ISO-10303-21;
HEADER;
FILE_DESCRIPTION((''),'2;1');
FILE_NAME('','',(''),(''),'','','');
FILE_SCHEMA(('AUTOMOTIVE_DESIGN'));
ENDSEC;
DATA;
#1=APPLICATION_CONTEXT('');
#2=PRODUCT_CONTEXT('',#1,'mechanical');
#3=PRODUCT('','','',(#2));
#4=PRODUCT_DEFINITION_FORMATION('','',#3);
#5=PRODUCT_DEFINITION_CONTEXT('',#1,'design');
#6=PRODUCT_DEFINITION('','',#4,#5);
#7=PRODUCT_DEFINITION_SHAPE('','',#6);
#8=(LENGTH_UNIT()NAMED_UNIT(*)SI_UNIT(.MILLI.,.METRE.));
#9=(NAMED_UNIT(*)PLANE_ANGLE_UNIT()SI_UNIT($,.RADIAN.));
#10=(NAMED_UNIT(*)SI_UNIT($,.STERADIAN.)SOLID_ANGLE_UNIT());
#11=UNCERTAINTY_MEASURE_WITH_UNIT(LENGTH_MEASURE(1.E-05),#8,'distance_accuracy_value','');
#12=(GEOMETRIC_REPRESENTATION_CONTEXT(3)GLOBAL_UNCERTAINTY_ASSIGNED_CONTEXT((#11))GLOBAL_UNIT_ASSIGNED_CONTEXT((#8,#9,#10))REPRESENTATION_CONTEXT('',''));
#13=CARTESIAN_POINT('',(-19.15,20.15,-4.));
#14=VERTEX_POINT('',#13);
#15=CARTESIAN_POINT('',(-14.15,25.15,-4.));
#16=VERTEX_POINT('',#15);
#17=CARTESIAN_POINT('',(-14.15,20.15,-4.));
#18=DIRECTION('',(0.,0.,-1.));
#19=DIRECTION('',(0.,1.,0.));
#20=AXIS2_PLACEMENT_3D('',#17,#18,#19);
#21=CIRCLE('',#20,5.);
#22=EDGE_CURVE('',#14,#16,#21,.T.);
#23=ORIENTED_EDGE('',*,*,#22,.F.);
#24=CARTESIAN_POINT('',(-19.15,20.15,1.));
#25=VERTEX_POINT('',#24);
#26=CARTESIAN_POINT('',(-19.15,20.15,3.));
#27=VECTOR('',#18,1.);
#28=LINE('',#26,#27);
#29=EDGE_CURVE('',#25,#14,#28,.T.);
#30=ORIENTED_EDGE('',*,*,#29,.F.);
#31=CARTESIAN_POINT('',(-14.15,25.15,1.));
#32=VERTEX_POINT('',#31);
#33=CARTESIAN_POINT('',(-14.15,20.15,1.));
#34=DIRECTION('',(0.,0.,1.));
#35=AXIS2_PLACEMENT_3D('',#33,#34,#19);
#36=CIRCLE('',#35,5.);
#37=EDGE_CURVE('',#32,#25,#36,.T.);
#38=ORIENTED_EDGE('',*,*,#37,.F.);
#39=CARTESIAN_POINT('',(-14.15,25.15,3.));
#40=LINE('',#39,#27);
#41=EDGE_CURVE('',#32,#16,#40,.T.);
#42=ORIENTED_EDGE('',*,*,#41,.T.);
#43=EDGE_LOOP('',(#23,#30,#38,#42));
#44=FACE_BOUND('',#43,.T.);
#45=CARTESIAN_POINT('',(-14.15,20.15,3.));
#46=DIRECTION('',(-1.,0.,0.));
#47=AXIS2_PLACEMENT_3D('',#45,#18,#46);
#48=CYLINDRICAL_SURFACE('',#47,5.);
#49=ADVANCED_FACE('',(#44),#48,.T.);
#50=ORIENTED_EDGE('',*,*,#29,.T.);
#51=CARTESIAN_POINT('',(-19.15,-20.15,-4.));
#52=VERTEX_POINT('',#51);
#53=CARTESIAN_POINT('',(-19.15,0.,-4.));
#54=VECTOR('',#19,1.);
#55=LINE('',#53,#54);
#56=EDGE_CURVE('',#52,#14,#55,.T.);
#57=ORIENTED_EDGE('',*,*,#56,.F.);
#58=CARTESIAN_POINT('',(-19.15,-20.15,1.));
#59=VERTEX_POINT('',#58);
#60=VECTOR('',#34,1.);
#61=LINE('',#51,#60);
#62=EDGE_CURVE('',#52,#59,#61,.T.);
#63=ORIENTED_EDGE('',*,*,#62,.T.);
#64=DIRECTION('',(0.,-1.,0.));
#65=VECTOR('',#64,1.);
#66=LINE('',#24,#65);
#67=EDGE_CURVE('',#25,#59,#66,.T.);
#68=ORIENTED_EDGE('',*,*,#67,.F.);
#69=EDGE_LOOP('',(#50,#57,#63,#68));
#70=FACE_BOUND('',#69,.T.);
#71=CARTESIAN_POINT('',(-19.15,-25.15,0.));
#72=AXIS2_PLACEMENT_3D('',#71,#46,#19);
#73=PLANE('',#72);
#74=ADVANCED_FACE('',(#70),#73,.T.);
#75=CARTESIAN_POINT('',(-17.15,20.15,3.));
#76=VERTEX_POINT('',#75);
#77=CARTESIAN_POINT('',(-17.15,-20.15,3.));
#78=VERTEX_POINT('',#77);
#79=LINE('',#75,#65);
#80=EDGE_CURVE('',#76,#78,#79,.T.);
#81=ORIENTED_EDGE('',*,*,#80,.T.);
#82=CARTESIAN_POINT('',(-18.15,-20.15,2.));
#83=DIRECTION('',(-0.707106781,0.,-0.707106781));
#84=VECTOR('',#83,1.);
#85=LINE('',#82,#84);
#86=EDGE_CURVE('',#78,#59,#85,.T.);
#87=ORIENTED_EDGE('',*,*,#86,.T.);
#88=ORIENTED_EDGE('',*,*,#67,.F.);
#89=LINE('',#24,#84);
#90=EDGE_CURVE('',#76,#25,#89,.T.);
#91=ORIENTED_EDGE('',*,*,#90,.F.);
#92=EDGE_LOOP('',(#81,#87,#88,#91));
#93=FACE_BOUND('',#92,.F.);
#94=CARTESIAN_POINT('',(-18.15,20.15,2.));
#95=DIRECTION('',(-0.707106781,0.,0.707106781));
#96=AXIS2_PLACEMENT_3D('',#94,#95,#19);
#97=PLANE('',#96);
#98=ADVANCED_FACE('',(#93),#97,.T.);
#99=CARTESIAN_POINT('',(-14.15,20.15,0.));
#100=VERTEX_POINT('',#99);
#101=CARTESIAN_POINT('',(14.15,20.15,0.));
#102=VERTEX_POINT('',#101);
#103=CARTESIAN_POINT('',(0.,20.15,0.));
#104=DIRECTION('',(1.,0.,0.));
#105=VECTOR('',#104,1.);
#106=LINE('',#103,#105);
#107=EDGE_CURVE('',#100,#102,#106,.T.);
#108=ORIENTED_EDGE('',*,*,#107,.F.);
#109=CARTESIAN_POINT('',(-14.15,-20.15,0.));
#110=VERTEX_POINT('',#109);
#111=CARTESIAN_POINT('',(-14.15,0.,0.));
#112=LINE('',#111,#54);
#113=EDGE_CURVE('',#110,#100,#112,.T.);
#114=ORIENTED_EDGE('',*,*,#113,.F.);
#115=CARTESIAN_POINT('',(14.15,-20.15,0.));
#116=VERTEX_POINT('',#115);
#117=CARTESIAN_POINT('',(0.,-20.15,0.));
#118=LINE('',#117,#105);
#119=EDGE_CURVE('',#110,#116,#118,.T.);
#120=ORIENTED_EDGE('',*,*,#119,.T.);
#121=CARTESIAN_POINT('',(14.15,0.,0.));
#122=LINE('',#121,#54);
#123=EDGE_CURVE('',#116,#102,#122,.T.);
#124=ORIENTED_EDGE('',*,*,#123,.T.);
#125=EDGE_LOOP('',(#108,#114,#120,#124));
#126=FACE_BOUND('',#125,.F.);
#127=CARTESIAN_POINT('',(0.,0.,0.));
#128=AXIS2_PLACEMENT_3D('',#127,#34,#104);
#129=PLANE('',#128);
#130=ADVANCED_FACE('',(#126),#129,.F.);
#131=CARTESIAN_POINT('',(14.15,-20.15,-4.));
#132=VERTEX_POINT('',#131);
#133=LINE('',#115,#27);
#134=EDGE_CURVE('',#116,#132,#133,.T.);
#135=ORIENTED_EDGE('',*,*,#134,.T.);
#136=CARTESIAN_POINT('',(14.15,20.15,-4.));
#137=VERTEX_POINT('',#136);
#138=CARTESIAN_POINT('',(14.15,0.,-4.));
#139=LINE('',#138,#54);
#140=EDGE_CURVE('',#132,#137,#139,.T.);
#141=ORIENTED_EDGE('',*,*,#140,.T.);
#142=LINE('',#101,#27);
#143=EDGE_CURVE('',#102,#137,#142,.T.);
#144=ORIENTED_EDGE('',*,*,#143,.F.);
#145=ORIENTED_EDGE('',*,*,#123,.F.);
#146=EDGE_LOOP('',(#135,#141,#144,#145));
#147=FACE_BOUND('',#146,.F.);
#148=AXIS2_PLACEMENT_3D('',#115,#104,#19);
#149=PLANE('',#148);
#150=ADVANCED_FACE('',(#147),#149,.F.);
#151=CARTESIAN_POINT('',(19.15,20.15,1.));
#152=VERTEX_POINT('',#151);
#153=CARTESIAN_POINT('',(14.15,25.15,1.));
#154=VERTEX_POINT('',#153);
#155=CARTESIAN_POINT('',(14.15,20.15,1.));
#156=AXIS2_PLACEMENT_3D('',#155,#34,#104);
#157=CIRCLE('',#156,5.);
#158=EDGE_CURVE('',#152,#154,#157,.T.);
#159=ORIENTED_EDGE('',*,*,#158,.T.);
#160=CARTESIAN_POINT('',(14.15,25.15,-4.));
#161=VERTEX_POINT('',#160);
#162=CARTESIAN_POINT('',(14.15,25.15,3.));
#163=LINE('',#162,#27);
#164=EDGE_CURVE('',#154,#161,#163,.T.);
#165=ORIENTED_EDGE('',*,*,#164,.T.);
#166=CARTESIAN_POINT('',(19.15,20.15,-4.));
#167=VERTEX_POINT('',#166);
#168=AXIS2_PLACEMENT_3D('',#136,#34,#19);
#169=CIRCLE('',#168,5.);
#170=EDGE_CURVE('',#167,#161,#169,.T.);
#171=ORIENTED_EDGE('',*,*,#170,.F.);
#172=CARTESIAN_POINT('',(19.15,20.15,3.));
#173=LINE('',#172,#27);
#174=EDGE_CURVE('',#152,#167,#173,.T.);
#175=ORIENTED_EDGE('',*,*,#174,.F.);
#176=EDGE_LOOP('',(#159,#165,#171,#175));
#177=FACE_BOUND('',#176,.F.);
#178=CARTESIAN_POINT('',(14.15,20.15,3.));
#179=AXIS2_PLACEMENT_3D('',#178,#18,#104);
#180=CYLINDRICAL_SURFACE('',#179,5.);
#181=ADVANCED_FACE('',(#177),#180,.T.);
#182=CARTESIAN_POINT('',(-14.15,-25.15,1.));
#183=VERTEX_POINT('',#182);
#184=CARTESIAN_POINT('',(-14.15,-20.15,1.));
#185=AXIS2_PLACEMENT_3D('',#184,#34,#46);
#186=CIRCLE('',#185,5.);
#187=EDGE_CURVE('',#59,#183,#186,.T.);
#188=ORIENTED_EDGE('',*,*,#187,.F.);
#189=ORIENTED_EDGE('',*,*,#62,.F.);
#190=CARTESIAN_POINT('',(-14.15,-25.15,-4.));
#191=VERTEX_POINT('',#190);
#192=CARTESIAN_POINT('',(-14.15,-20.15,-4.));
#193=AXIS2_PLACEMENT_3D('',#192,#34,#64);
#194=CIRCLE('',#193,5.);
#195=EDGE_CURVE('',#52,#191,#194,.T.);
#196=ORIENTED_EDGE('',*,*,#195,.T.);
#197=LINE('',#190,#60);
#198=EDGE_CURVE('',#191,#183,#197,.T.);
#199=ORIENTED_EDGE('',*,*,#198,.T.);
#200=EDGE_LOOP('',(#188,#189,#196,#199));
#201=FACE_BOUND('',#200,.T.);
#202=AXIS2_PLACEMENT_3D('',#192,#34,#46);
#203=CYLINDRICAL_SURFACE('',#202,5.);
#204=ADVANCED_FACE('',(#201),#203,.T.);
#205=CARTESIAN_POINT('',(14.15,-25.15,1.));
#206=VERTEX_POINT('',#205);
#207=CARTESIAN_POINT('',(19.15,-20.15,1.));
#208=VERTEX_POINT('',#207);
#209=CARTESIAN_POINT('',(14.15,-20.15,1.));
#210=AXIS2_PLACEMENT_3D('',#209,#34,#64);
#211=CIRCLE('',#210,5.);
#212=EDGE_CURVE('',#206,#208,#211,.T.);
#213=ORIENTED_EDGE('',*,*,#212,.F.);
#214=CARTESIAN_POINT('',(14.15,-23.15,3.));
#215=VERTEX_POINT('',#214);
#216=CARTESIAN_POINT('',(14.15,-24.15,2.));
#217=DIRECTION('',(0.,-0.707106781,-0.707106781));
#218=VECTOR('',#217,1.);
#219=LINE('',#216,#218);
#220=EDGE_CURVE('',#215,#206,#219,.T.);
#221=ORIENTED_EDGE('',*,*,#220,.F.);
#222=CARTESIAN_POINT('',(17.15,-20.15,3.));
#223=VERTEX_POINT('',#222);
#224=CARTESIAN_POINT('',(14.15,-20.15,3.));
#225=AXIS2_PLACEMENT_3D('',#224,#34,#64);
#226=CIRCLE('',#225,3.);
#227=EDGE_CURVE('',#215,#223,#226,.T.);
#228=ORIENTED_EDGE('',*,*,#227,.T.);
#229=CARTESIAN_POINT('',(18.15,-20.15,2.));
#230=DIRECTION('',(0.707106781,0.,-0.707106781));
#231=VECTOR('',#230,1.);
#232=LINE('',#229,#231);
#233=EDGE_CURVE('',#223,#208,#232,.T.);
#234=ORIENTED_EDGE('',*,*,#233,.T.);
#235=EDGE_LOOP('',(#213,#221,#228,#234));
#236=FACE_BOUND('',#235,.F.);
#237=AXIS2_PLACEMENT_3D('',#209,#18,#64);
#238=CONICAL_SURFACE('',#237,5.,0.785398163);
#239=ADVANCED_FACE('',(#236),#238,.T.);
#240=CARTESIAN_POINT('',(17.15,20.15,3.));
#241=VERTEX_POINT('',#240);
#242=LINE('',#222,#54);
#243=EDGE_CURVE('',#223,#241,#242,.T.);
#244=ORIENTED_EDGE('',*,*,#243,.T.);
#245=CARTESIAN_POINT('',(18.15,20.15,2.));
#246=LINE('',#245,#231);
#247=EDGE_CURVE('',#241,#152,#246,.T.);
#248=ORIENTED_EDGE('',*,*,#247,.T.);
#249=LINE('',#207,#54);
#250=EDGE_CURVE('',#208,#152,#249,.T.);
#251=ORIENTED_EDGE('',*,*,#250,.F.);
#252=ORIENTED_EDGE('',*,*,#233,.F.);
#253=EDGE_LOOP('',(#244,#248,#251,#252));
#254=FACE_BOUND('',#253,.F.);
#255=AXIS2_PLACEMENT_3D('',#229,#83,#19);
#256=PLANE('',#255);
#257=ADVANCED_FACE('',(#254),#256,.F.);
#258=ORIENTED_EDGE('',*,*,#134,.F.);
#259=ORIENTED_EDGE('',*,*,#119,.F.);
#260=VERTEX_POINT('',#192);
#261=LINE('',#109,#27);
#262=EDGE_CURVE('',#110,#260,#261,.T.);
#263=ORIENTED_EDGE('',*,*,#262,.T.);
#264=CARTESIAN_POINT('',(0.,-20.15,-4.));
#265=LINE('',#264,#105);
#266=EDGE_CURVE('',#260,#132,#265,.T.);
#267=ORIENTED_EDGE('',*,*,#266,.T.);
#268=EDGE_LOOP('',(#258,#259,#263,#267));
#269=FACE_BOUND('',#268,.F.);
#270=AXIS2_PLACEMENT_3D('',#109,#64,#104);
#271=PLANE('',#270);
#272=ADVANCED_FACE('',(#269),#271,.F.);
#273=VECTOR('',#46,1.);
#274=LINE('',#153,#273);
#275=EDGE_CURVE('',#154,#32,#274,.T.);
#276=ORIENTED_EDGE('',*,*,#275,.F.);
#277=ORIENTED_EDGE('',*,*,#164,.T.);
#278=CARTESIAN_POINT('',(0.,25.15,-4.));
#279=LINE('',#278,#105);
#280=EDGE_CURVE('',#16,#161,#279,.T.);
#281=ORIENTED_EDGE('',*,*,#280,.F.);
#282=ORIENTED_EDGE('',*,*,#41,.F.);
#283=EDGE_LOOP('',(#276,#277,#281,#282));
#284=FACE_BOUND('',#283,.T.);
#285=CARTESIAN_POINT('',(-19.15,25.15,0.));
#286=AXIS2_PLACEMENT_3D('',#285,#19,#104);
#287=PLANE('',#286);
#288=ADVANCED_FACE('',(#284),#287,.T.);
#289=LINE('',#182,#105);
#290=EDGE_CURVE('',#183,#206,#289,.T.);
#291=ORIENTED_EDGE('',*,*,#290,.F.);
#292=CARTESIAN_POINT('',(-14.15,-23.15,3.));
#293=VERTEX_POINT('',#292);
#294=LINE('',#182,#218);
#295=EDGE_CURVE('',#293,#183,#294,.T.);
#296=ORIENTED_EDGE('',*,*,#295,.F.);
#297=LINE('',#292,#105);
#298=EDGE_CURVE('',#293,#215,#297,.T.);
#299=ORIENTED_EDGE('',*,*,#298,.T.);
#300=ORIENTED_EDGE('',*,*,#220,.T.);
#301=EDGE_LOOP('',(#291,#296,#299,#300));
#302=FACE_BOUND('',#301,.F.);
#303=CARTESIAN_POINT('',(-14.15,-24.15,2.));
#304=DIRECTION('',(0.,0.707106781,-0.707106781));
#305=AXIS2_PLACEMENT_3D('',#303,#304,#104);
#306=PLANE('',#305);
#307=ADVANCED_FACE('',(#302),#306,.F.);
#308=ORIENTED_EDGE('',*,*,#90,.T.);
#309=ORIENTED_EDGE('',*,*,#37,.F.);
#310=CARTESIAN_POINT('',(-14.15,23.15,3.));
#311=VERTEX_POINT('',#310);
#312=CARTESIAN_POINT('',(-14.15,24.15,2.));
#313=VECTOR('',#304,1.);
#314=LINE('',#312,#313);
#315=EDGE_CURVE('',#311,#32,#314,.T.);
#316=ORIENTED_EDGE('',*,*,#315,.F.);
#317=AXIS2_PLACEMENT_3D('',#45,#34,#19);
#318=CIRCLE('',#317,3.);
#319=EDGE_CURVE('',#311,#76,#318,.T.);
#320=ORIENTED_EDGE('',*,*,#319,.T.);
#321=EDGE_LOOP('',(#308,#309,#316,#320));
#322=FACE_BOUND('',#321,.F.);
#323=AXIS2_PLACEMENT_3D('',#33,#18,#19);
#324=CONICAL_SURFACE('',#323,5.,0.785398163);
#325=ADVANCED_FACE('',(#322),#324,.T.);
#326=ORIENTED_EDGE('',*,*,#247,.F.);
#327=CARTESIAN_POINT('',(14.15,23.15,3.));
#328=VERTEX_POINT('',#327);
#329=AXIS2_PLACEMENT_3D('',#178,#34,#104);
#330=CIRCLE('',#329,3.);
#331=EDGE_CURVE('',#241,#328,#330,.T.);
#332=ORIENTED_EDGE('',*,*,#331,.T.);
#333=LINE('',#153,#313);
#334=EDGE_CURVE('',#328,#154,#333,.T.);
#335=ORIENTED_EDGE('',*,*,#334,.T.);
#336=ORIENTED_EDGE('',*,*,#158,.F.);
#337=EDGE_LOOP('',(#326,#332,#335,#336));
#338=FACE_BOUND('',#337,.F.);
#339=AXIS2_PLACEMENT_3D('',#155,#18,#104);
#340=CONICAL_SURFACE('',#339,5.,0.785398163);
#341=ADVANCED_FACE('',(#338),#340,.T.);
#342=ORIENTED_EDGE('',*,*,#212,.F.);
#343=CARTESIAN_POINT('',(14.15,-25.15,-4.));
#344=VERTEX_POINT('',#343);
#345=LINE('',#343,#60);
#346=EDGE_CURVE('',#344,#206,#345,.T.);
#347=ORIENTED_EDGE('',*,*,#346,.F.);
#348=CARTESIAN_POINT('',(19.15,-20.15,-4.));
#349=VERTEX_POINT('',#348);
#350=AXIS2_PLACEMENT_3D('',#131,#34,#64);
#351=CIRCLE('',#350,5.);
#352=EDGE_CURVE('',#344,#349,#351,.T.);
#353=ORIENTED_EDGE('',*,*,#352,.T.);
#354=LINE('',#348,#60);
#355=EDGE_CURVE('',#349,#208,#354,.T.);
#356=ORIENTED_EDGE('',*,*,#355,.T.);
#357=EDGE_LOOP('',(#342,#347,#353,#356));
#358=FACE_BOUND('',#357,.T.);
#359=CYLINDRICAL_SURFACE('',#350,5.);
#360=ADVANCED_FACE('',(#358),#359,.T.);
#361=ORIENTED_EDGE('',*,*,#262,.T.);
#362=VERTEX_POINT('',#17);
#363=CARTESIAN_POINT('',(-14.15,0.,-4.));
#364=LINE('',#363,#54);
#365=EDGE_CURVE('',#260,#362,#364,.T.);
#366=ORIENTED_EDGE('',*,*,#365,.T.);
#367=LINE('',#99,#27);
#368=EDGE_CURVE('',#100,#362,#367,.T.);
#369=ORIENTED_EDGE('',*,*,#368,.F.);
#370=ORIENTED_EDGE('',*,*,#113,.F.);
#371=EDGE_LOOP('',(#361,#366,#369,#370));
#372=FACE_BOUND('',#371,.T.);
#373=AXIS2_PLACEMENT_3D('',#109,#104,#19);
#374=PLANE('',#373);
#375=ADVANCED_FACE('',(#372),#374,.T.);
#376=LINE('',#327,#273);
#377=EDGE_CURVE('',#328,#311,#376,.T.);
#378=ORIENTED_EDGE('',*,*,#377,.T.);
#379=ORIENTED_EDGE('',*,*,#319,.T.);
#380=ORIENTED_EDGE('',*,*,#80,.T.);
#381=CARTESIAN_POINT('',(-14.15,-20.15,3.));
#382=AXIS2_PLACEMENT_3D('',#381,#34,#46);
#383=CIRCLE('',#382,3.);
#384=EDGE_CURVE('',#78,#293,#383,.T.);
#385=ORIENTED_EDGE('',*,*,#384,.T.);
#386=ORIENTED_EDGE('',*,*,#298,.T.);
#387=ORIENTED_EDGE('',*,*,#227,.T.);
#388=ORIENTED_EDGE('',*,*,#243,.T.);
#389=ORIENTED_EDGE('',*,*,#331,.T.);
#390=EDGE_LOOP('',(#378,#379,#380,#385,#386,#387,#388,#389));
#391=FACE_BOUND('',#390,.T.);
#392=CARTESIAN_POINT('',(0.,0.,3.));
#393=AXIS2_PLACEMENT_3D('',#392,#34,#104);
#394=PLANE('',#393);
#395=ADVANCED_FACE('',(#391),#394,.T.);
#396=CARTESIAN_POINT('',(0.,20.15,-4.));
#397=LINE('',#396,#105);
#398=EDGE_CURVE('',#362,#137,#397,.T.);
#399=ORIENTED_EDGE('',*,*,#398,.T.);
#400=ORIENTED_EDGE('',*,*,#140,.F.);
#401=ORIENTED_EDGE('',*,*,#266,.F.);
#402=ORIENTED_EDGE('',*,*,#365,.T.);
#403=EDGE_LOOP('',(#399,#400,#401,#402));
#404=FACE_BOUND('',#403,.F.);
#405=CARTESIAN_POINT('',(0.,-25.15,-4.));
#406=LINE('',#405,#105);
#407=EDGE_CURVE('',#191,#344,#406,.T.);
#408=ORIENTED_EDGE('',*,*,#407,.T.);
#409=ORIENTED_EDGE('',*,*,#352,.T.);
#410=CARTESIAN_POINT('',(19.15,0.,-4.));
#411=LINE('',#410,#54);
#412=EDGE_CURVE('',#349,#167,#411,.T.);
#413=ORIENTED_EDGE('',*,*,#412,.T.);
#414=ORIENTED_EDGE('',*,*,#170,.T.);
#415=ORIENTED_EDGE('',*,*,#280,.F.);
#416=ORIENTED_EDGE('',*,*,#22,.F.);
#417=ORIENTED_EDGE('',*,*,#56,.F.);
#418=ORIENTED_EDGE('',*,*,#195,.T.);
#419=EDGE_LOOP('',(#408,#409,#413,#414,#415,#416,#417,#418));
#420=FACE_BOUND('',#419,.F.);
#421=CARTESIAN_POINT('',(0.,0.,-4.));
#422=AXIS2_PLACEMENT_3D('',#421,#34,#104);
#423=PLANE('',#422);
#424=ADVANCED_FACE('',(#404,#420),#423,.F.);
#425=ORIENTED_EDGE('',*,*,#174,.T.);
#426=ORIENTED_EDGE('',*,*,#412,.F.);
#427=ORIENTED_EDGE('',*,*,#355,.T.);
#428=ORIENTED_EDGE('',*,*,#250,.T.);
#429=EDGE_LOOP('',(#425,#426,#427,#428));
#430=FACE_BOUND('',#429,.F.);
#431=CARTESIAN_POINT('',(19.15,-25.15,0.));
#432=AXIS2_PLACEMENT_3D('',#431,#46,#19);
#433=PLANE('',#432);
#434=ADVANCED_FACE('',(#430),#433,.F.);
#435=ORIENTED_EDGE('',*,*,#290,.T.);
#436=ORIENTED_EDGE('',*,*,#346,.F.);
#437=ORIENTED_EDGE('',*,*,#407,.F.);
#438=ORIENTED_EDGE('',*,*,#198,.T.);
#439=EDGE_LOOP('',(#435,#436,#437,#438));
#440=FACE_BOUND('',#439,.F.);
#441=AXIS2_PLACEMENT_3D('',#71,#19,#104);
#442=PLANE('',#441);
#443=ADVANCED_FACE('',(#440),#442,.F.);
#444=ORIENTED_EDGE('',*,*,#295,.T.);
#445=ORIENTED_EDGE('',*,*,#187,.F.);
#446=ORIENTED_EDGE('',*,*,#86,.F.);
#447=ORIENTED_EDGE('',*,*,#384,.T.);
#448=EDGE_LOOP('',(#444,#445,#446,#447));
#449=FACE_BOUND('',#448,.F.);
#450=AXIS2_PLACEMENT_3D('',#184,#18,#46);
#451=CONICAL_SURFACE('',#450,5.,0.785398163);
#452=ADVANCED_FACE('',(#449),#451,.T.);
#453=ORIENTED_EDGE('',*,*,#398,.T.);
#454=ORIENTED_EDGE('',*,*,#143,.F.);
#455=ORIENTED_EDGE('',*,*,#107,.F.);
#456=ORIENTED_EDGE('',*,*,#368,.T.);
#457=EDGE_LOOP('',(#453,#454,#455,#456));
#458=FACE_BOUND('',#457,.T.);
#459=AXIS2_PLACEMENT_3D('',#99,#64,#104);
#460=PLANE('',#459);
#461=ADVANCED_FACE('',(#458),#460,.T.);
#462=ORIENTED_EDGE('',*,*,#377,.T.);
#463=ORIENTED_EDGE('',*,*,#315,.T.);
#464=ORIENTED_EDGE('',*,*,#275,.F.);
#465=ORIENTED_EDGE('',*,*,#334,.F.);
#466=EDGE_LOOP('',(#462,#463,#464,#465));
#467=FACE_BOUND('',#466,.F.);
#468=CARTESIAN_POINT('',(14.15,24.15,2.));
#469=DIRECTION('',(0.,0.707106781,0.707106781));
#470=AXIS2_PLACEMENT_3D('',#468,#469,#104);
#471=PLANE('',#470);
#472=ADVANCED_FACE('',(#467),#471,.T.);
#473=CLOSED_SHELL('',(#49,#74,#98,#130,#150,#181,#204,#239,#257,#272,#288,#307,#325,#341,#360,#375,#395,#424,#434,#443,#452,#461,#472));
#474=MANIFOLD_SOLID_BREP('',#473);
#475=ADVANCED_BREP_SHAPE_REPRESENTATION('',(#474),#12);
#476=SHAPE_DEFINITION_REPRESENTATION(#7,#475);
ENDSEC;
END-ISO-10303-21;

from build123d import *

# Parameters (mm, degrees)
F0_W     = 38.3
F0_H     = 50.3
F0_W_2   = 28.3
F0_H_2   = 40.3
F2_DEPTH = 4
F3_DEPTH = 3
F4_R     = 5
F5_SIZE  = 2


with BuildPart() as f2:
    # F0 (on Top) → F2 (new body)
    with BuildSketch(Plane.XY):
        Rectangle(F0_W, F0_H)
        Rectangle(F0_W_2, F0_H_2, mode=Mode.SUBTRACT)
    extrude(amount=-F2_DEPTH)

    # F0 (on Top) → F3 (join)
    with BuildSketch(Plane.XY):
        Rectangle(F0_W, F0_H)
        Rectangle(F0_W_2, F0_H_2, mode=Mode.SUBTRACT)
        Rectangle(F0_W_2, F0_H_2)
    extrude(amount=F3_DEPTH)

    # F4
    f4_edges = [f2.edges().sort_by_distance(p)[0] for p in [
        (-19.15, -25.15, -0.5),
        (-19.15, 25.15, -0.5),
        (19.15, 25.15, -0.5),
        (19.15, -25.15, -0.5),
    ]]
    fillet(f4_edges, radius=F4_R)

    # F5
    f5_edges = [f2.edges().sort_by_distance(p)[0] for p in [
        (19.15, 0, 3),
        (17.685534, -23.685534, 3),
        (17.685534, 23.685534, 3),
        (0, -25.15, 3),
        (0, 25.15, 3),
        (-17.685534, -23.685534, 3),
        (-17.685534, 23.685534, 3),
        (-19.15, 0, 3),
    ]]
    chamfer(f5_edges, length=F5_SIZE)


solid = f2.part
